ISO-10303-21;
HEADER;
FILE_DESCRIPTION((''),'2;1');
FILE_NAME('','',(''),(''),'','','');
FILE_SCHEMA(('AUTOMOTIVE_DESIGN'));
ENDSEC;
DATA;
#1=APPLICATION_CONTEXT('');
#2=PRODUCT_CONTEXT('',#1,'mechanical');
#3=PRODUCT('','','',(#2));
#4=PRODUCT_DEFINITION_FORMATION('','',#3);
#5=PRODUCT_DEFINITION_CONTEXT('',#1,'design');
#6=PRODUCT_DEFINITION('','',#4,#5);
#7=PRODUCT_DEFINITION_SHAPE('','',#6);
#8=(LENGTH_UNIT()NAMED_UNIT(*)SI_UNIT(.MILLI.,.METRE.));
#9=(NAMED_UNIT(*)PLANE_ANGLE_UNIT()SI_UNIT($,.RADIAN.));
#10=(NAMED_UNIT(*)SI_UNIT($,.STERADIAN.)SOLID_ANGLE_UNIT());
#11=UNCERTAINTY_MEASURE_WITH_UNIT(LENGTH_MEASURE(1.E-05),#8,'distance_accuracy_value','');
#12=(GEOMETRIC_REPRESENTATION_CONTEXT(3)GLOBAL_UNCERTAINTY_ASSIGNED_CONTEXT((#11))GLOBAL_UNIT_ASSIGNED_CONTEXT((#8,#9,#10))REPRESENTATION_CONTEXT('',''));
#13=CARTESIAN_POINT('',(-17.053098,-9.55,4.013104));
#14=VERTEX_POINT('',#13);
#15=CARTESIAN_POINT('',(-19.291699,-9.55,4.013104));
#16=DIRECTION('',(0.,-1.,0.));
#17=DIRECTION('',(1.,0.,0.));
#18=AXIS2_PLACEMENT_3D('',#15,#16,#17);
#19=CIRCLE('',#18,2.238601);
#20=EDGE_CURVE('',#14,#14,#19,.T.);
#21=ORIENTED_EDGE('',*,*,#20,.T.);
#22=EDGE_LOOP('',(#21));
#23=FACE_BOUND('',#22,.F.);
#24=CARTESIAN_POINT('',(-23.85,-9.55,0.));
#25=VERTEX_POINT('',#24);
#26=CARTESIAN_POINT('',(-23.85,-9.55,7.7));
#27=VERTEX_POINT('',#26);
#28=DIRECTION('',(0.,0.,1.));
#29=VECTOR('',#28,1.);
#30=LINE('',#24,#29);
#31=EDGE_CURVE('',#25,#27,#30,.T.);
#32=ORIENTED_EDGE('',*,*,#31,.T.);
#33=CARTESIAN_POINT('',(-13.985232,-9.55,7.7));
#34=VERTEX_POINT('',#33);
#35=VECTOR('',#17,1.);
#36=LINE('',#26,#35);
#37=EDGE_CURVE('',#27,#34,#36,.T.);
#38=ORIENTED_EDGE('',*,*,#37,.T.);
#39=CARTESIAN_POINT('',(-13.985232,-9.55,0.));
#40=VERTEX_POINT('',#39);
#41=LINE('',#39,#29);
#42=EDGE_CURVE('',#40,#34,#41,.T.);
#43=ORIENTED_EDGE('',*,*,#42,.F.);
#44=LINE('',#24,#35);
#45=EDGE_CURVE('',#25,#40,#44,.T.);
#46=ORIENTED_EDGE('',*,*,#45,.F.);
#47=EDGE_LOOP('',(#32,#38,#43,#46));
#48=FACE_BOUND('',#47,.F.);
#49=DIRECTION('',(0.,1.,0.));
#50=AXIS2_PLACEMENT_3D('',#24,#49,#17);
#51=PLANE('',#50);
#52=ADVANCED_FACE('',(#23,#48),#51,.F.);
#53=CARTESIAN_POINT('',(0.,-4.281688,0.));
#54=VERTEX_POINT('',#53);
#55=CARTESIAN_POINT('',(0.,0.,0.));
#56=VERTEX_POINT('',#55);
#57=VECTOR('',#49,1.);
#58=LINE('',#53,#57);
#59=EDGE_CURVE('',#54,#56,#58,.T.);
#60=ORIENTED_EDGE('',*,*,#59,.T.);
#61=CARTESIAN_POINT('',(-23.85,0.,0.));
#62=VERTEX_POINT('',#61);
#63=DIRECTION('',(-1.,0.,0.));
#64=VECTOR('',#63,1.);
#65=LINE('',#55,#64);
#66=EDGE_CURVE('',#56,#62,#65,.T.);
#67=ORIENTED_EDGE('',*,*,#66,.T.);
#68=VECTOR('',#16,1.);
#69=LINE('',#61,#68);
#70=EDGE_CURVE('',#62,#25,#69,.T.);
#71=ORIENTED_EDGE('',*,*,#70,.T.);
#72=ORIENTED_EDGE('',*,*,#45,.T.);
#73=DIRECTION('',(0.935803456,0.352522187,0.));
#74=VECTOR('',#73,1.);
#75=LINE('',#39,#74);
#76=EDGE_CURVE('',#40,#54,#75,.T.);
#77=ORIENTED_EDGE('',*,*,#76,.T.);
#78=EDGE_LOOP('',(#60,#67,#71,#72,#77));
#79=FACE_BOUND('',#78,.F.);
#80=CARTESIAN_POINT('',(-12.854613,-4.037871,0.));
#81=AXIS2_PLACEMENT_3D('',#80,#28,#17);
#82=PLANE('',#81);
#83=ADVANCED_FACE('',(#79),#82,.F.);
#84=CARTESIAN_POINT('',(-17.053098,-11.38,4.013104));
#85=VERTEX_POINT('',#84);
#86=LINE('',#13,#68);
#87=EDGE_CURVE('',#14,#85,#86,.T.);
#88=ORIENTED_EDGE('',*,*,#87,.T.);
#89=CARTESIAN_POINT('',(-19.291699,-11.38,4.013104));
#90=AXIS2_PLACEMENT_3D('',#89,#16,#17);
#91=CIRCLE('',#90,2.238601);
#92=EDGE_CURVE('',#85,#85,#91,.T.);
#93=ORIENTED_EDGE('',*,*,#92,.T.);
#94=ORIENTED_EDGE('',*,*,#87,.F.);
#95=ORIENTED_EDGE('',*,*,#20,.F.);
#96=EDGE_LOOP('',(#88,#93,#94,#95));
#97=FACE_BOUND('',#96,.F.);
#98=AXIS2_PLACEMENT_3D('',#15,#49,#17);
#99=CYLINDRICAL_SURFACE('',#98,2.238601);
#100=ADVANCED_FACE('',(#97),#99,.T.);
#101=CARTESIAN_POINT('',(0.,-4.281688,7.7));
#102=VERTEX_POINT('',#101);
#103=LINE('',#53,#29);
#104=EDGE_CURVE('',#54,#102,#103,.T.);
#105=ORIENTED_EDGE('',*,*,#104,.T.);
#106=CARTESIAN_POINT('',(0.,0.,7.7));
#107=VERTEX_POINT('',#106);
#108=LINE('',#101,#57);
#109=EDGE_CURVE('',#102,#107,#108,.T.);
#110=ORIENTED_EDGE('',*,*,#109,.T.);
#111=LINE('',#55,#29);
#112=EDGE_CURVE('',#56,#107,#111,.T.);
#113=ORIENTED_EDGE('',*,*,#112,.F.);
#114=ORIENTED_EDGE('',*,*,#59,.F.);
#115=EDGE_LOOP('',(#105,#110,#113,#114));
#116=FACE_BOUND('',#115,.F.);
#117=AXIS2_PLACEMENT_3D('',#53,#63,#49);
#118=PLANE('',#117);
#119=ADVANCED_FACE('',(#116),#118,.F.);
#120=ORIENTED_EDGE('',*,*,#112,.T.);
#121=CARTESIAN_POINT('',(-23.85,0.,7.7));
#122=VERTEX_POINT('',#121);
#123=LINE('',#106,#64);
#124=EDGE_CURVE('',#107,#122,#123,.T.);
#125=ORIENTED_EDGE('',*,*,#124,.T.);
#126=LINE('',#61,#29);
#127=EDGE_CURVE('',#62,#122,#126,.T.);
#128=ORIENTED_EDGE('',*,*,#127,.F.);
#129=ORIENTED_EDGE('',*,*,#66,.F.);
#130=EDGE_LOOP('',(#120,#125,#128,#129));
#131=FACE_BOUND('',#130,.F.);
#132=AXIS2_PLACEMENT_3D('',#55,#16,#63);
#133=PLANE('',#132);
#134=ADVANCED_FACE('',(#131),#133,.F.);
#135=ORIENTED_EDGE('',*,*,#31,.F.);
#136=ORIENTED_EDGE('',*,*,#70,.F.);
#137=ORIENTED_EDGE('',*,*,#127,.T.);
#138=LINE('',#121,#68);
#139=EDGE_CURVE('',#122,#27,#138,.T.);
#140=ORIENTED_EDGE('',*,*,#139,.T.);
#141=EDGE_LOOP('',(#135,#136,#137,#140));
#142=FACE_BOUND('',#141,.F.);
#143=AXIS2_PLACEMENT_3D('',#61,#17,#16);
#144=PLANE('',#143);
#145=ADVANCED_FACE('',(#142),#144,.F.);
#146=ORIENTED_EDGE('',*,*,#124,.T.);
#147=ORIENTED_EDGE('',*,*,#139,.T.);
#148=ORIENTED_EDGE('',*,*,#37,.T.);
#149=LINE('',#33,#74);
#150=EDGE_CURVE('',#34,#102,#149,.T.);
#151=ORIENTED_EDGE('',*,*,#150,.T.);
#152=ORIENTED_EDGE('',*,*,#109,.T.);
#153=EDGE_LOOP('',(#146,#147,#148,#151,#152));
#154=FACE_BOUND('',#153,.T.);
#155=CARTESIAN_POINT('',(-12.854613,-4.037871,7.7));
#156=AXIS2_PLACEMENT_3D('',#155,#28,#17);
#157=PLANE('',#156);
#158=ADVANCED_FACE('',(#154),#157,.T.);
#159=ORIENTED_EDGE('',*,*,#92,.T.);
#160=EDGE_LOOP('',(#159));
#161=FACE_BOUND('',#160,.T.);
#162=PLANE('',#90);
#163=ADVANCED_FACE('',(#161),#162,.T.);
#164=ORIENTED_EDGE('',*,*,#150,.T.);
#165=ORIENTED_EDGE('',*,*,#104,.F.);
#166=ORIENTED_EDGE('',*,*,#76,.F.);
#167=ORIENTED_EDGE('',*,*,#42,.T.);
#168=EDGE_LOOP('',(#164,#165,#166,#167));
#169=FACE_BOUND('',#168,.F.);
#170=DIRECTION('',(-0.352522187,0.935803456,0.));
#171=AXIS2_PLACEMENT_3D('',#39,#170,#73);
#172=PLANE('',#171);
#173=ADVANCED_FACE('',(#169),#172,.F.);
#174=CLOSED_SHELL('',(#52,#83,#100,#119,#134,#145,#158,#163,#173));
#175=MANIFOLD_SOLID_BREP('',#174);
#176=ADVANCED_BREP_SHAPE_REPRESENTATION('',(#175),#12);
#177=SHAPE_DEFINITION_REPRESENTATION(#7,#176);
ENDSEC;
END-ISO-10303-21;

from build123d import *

# Parameters (mm, degrees)
F1_DEPTH = 7.7
F3_R     = 2.238601
F4_DEPTH = 1.83


with BuildPart() as f1:
    # F0 (on Top) → F1 (new body)
    with BuildSketch(Plane.XY):
        Polygon((0, -4.281688), (0, 0), (-23.85, 0), (-23.85, -9.55), (-13.985232, -9.55), align=None)
    extrude(amount=F1_DEPTH)

    # F3 (on face) → F4 (join)
    with BuildSketch(Plane.XZ.offset(9.55)):
        with Locations((-19.291699, 4.013104)):
            Circle(F3_R)
    extrude(amount=F4_DEPTH)


solid = f1.part
